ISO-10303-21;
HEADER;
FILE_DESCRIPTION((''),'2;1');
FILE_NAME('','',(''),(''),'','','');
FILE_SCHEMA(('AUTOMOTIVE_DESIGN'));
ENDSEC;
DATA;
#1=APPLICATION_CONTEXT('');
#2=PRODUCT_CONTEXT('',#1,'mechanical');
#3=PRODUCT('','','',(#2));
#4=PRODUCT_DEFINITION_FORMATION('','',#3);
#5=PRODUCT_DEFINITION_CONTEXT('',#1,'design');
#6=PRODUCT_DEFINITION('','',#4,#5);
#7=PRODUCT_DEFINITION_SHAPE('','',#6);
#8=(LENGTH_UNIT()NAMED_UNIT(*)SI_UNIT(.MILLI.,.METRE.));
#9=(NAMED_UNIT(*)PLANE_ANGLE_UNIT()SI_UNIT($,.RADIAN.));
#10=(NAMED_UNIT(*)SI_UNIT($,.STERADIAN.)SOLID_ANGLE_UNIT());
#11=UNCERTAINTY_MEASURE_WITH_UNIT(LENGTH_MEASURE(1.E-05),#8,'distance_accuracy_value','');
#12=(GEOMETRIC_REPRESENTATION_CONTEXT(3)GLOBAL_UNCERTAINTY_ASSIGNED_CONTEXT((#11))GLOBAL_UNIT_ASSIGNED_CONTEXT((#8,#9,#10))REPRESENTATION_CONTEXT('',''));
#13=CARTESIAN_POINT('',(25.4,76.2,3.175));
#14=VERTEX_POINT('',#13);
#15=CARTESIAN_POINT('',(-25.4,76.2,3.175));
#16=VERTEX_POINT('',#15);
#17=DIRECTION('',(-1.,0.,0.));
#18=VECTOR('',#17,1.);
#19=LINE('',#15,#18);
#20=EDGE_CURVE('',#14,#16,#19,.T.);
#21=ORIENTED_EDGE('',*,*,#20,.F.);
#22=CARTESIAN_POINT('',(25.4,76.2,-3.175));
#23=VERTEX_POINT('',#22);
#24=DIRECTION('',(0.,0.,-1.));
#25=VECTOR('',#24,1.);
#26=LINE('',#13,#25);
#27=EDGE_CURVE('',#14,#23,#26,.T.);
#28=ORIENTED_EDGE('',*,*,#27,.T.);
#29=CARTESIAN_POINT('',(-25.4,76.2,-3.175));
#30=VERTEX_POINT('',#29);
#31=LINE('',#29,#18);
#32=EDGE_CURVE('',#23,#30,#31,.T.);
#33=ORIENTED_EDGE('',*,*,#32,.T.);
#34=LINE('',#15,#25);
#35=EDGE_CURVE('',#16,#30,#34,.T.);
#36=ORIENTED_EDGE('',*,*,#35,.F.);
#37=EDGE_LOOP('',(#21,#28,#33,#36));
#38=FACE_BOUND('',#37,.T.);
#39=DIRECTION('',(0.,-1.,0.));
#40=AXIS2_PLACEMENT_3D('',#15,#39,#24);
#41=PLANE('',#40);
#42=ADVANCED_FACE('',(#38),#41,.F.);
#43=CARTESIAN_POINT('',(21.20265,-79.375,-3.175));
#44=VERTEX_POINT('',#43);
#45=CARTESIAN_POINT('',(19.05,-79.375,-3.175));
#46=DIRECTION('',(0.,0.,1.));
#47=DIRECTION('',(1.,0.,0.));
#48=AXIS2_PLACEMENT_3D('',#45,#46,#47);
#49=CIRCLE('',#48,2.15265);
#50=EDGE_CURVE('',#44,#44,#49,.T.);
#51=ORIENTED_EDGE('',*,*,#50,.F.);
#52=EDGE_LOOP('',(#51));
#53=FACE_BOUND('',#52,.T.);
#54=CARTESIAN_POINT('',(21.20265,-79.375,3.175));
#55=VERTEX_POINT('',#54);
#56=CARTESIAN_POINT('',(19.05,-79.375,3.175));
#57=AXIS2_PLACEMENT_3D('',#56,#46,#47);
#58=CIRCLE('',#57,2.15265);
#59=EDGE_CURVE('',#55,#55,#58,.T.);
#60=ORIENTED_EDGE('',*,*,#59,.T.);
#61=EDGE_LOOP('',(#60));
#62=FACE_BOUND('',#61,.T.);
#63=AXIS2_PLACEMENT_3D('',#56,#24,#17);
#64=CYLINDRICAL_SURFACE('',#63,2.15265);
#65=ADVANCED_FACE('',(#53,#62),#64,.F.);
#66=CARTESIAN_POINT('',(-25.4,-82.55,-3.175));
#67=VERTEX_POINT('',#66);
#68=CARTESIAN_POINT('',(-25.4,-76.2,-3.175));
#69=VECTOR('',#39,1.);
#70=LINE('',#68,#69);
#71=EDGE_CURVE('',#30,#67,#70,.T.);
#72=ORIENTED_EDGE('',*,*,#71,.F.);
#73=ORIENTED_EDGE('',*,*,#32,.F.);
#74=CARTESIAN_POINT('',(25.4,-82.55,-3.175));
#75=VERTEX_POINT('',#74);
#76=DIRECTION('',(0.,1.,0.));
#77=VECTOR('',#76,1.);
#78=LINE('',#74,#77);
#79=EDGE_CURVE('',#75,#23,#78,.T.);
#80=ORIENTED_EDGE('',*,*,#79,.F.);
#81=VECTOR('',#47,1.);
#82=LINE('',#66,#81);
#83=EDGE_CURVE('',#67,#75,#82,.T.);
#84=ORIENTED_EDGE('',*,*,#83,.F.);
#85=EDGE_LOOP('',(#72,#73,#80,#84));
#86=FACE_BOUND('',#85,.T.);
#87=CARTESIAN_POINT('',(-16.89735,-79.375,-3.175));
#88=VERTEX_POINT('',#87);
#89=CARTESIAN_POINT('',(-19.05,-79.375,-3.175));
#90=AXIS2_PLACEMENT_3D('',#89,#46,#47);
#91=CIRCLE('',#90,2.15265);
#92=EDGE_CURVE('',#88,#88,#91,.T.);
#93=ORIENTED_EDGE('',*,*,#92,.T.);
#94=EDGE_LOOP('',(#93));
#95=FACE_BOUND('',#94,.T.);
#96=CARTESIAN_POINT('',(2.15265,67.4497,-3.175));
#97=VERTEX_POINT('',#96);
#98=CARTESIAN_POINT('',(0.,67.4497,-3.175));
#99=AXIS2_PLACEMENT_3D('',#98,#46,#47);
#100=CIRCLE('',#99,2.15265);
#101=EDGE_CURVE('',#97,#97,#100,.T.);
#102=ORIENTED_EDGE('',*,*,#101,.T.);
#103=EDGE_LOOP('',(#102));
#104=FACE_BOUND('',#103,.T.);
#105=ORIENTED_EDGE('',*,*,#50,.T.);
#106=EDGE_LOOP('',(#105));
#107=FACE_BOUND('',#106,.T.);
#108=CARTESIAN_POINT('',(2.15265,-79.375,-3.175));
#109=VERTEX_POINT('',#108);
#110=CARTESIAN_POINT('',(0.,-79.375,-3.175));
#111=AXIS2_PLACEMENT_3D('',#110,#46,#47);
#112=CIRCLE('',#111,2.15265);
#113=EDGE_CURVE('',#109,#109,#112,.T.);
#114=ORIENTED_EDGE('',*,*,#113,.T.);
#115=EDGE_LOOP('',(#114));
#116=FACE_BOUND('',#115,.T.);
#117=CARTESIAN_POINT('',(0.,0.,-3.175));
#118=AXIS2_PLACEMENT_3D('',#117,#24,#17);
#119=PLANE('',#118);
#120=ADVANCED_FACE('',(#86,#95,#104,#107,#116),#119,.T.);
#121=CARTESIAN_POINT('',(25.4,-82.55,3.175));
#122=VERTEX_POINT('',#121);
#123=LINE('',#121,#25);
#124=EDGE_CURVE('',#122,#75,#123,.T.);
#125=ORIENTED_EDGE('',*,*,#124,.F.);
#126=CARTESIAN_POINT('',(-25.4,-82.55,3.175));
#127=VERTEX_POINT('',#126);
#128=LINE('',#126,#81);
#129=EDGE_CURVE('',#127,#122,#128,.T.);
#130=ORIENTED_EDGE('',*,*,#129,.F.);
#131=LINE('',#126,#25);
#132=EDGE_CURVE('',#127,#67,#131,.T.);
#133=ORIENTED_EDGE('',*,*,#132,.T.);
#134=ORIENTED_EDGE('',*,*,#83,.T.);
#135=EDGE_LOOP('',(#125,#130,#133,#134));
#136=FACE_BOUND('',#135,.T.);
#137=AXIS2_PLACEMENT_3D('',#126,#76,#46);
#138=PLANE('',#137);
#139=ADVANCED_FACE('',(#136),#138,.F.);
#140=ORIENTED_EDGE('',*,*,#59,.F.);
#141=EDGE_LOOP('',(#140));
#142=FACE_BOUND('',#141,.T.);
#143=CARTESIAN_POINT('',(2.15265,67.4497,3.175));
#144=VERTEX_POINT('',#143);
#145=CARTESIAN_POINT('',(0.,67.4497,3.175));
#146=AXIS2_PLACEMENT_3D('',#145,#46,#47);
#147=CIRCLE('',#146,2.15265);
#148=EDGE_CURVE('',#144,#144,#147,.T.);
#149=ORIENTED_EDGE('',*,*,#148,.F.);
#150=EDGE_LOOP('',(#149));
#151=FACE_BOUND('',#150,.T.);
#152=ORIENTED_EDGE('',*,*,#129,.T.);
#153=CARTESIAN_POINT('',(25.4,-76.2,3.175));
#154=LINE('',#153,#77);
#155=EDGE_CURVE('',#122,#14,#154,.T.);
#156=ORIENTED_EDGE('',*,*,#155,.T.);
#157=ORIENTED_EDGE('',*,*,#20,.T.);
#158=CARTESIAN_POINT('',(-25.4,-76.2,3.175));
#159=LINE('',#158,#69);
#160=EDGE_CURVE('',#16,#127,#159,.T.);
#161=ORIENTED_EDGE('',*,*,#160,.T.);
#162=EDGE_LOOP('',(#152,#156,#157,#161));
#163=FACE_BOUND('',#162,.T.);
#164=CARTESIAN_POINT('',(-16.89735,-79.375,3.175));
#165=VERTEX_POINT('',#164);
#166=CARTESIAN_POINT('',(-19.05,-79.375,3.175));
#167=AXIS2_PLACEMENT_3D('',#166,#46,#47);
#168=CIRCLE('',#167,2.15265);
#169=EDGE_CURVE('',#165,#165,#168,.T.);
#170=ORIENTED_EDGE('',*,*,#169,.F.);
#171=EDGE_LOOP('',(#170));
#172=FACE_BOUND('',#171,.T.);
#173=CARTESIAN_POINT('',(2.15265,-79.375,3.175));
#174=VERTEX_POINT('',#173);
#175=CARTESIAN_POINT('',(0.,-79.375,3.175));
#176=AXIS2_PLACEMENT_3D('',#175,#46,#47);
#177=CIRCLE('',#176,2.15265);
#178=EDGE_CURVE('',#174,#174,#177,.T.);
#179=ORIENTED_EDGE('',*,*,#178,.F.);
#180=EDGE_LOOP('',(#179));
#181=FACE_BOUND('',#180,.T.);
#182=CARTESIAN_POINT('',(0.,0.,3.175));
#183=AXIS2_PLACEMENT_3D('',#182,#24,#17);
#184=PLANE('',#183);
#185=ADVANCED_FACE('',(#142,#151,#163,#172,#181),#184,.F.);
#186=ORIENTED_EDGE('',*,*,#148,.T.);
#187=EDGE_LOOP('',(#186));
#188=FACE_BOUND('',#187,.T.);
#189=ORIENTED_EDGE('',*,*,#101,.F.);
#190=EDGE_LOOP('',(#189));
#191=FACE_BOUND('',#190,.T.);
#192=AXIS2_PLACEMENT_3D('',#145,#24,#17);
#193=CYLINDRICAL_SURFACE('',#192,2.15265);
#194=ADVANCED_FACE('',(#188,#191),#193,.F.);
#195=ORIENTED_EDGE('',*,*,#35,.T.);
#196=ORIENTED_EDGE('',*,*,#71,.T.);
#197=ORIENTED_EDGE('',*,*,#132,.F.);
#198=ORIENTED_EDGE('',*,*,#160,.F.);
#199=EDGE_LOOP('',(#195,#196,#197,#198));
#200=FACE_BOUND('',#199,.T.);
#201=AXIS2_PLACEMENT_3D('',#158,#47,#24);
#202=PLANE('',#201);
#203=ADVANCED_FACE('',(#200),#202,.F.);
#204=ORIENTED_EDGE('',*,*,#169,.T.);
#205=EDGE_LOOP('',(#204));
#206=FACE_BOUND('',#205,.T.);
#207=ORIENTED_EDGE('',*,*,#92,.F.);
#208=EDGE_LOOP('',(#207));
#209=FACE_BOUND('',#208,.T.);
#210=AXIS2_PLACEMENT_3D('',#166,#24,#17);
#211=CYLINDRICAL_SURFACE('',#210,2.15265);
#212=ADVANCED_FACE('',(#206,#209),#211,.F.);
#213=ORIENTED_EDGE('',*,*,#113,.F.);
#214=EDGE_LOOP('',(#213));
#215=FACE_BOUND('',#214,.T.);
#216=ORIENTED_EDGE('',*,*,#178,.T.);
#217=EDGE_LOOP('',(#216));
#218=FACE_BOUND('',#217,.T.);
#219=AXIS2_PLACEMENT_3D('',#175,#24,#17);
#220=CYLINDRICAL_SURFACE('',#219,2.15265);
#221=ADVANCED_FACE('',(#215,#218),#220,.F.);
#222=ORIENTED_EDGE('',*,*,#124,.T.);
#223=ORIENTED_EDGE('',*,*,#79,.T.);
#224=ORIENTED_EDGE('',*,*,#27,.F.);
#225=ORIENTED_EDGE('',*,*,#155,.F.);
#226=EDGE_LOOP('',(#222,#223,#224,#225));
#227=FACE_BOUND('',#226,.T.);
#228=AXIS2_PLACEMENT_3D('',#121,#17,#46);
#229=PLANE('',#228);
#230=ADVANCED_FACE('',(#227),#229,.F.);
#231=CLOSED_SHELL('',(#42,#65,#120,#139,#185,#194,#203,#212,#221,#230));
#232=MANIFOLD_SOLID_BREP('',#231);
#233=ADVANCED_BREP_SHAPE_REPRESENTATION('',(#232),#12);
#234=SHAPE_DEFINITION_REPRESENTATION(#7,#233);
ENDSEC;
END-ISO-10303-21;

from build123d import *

# Parameters (mm, degrees)
SKETCH1_R           = 2.15265
BOSS_EXTRUDE1_DEPTH = 3.175


with BuildPart() as part:
    # Sketch1 → Boss-Extrude1 (new, symmetric)
    with BuildSketch(Plane.XY):
        Polygon((-25.4, -76.2), (-25.4, -82.55), (25.4, -82.55), (25.4, -76.2), (25.4, 76.2), (-25.4, 76.2), align=None)
        with Locations((0, 67.4497)):
            Circle(SKETCH1_R, mode=Mode.SUBTRACT)
        with Locations((-19.05, -79.375)):
            Circle(SKETCH1_R, mode=Mode.SUBTRACT)
        with Locations((0, -79.375)):
            Circle(SKETCH1_R, mode=Mode.SUBTRACT)
        with Locations((19.05, -79.375)):
            Circle(SKETCH1_R, mode=Mode.SUBTRACT)
    extrude(amount=BOSS_EXTRUDE1_DEPTH, both=True)


solid = part.part
